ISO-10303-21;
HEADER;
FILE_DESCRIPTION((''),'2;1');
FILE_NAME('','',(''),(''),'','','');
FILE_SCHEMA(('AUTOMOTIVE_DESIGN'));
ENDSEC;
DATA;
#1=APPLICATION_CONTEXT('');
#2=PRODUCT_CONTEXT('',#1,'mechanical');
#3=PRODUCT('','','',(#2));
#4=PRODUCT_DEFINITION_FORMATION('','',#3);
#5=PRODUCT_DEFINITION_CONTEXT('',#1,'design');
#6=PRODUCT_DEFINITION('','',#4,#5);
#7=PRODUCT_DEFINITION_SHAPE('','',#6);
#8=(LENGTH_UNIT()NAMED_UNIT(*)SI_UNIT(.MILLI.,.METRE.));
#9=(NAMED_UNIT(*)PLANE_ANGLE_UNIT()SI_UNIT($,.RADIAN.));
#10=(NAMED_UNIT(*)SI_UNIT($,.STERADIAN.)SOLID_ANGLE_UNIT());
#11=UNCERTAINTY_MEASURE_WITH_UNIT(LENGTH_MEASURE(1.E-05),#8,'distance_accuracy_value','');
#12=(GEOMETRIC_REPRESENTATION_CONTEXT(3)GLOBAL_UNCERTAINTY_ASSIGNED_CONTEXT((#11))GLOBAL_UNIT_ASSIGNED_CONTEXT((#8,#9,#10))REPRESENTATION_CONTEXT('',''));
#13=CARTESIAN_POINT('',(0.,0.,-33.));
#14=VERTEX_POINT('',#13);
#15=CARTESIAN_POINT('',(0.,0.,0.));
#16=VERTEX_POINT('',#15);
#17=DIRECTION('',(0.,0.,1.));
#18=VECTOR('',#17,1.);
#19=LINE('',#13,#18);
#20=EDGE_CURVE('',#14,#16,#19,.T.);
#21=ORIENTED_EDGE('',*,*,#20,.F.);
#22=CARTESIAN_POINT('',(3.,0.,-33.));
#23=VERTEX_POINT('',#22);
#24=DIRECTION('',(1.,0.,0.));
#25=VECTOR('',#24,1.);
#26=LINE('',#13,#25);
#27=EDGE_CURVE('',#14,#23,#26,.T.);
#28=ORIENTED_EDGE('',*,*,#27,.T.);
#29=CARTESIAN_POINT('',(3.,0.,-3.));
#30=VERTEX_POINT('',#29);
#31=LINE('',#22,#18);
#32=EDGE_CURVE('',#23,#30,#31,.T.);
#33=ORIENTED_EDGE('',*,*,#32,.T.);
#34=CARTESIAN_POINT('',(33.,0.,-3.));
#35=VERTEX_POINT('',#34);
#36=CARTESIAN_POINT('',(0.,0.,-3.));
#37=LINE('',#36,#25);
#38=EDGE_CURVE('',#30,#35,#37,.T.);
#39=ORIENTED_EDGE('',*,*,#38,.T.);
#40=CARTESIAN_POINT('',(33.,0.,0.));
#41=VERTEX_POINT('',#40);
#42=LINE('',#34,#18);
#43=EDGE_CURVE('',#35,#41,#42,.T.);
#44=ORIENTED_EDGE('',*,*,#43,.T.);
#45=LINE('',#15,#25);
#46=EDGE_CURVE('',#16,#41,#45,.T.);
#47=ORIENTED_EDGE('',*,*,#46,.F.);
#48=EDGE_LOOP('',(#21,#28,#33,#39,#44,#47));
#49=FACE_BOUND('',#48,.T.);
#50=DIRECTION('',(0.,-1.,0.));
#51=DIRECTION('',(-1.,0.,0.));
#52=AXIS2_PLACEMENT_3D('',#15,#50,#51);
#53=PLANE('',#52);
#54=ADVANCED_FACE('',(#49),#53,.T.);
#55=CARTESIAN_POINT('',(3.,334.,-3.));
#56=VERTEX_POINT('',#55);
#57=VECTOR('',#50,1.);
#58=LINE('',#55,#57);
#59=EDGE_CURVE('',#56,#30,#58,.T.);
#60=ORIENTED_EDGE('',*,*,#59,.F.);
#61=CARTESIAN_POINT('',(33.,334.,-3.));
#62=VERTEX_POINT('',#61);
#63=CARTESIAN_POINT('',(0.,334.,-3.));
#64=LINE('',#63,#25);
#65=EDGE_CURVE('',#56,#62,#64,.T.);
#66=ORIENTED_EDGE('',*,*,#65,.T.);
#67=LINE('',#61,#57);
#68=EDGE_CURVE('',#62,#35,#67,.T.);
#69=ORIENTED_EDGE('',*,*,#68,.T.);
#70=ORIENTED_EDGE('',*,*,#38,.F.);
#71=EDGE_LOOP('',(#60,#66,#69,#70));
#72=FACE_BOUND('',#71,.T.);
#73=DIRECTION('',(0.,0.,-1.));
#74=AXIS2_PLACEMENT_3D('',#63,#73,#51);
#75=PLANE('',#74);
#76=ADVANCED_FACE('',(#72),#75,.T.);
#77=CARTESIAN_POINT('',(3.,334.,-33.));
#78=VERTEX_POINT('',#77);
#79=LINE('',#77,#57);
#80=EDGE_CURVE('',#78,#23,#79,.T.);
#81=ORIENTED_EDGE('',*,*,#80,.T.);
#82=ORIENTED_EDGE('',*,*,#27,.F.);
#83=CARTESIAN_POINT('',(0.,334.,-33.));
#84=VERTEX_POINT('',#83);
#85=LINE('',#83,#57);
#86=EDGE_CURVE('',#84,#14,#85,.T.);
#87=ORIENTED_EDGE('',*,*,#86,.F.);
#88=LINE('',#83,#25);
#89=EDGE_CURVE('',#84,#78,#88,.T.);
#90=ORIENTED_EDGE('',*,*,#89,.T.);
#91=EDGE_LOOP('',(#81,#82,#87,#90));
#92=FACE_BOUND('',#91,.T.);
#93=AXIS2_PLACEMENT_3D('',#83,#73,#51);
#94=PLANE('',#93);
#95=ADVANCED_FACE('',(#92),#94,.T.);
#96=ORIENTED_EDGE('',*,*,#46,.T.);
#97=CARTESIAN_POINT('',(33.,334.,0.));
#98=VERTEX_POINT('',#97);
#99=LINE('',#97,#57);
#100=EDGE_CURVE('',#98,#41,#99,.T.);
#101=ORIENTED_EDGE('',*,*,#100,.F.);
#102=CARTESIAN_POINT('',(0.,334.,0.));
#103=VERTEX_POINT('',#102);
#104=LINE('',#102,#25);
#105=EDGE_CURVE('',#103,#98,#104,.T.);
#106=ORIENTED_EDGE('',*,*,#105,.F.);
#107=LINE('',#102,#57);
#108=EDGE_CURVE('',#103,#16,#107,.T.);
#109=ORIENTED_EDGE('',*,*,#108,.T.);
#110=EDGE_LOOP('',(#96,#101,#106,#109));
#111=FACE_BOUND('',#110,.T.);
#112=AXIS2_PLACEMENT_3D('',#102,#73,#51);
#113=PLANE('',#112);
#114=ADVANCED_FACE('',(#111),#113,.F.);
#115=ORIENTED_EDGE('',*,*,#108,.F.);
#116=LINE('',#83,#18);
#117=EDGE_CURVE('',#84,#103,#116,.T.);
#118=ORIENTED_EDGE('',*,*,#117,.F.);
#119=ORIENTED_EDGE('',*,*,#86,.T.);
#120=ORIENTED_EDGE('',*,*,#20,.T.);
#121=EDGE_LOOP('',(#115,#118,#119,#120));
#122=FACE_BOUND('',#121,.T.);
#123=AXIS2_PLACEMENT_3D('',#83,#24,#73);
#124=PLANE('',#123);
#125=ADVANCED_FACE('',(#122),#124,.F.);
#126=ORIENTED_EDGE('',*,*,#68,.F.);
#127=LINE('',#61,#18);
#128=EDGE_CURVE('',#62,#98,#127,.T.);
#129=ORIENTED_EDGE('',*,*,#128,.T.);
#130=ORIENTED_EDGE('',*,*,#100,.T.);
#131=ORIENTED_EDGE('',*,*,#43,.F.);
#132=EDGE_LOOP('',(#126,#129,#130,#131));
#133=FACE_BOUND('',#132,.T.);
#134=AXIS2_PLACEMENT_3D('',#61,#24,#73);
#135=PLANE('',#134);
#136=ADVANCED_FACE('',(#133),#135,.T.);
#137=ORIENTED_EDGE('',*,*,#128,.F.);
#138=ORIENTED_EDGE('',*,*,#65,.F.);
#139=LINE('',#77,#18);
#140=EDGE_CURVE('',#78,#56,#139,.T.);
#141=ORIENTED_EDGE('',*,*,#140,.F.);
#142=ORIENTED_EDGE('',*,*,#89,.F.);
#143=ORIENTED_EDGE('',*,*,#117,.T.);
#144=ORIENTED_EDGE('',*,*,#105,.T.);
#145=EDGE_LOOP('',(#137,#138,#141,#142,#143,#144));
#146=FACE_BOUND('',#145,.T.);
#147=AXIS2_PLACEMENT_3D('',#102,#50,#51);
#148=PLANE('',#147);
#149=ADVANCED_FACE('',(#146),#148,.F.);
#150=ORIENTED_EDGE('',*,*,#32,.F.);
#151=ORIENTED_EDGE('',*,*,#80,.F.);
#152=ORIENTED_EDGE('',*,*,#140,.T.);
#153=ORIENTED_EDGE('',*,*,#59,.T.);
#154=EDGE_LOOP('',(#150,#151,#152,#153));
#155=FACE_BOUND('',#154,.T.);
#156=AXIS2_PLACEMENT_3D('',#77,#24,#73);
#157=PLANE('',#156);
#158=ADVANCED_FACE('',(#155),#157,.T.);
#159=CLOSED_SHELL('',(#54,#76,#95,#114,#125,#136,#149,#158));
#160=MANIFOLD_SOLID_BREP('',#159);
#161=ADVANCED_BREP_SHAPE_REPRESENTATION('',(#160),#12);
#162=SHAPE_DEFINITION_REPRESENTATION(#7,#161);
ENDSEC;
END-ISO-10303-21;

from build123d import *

# Parameters (mm, degrees)
EXTRUDE_1_DEPTH = 334


with BuildPart() as part:
    # Эскиз1 → Вытянуть-Тонкостенный1 (new body)
    with BuildSketch(Plane(origin=(0, 0, 0), x_dir=(1, 0, 0), z_dir=(0, 1, 0))):
        Polygon((0, 33), (0, 0), (33, 0), (33, 3), (3, 3), (3, 33), align=None)
    extrude(amount=EXTRUDE_1_DEPTH)


solid = part.part
